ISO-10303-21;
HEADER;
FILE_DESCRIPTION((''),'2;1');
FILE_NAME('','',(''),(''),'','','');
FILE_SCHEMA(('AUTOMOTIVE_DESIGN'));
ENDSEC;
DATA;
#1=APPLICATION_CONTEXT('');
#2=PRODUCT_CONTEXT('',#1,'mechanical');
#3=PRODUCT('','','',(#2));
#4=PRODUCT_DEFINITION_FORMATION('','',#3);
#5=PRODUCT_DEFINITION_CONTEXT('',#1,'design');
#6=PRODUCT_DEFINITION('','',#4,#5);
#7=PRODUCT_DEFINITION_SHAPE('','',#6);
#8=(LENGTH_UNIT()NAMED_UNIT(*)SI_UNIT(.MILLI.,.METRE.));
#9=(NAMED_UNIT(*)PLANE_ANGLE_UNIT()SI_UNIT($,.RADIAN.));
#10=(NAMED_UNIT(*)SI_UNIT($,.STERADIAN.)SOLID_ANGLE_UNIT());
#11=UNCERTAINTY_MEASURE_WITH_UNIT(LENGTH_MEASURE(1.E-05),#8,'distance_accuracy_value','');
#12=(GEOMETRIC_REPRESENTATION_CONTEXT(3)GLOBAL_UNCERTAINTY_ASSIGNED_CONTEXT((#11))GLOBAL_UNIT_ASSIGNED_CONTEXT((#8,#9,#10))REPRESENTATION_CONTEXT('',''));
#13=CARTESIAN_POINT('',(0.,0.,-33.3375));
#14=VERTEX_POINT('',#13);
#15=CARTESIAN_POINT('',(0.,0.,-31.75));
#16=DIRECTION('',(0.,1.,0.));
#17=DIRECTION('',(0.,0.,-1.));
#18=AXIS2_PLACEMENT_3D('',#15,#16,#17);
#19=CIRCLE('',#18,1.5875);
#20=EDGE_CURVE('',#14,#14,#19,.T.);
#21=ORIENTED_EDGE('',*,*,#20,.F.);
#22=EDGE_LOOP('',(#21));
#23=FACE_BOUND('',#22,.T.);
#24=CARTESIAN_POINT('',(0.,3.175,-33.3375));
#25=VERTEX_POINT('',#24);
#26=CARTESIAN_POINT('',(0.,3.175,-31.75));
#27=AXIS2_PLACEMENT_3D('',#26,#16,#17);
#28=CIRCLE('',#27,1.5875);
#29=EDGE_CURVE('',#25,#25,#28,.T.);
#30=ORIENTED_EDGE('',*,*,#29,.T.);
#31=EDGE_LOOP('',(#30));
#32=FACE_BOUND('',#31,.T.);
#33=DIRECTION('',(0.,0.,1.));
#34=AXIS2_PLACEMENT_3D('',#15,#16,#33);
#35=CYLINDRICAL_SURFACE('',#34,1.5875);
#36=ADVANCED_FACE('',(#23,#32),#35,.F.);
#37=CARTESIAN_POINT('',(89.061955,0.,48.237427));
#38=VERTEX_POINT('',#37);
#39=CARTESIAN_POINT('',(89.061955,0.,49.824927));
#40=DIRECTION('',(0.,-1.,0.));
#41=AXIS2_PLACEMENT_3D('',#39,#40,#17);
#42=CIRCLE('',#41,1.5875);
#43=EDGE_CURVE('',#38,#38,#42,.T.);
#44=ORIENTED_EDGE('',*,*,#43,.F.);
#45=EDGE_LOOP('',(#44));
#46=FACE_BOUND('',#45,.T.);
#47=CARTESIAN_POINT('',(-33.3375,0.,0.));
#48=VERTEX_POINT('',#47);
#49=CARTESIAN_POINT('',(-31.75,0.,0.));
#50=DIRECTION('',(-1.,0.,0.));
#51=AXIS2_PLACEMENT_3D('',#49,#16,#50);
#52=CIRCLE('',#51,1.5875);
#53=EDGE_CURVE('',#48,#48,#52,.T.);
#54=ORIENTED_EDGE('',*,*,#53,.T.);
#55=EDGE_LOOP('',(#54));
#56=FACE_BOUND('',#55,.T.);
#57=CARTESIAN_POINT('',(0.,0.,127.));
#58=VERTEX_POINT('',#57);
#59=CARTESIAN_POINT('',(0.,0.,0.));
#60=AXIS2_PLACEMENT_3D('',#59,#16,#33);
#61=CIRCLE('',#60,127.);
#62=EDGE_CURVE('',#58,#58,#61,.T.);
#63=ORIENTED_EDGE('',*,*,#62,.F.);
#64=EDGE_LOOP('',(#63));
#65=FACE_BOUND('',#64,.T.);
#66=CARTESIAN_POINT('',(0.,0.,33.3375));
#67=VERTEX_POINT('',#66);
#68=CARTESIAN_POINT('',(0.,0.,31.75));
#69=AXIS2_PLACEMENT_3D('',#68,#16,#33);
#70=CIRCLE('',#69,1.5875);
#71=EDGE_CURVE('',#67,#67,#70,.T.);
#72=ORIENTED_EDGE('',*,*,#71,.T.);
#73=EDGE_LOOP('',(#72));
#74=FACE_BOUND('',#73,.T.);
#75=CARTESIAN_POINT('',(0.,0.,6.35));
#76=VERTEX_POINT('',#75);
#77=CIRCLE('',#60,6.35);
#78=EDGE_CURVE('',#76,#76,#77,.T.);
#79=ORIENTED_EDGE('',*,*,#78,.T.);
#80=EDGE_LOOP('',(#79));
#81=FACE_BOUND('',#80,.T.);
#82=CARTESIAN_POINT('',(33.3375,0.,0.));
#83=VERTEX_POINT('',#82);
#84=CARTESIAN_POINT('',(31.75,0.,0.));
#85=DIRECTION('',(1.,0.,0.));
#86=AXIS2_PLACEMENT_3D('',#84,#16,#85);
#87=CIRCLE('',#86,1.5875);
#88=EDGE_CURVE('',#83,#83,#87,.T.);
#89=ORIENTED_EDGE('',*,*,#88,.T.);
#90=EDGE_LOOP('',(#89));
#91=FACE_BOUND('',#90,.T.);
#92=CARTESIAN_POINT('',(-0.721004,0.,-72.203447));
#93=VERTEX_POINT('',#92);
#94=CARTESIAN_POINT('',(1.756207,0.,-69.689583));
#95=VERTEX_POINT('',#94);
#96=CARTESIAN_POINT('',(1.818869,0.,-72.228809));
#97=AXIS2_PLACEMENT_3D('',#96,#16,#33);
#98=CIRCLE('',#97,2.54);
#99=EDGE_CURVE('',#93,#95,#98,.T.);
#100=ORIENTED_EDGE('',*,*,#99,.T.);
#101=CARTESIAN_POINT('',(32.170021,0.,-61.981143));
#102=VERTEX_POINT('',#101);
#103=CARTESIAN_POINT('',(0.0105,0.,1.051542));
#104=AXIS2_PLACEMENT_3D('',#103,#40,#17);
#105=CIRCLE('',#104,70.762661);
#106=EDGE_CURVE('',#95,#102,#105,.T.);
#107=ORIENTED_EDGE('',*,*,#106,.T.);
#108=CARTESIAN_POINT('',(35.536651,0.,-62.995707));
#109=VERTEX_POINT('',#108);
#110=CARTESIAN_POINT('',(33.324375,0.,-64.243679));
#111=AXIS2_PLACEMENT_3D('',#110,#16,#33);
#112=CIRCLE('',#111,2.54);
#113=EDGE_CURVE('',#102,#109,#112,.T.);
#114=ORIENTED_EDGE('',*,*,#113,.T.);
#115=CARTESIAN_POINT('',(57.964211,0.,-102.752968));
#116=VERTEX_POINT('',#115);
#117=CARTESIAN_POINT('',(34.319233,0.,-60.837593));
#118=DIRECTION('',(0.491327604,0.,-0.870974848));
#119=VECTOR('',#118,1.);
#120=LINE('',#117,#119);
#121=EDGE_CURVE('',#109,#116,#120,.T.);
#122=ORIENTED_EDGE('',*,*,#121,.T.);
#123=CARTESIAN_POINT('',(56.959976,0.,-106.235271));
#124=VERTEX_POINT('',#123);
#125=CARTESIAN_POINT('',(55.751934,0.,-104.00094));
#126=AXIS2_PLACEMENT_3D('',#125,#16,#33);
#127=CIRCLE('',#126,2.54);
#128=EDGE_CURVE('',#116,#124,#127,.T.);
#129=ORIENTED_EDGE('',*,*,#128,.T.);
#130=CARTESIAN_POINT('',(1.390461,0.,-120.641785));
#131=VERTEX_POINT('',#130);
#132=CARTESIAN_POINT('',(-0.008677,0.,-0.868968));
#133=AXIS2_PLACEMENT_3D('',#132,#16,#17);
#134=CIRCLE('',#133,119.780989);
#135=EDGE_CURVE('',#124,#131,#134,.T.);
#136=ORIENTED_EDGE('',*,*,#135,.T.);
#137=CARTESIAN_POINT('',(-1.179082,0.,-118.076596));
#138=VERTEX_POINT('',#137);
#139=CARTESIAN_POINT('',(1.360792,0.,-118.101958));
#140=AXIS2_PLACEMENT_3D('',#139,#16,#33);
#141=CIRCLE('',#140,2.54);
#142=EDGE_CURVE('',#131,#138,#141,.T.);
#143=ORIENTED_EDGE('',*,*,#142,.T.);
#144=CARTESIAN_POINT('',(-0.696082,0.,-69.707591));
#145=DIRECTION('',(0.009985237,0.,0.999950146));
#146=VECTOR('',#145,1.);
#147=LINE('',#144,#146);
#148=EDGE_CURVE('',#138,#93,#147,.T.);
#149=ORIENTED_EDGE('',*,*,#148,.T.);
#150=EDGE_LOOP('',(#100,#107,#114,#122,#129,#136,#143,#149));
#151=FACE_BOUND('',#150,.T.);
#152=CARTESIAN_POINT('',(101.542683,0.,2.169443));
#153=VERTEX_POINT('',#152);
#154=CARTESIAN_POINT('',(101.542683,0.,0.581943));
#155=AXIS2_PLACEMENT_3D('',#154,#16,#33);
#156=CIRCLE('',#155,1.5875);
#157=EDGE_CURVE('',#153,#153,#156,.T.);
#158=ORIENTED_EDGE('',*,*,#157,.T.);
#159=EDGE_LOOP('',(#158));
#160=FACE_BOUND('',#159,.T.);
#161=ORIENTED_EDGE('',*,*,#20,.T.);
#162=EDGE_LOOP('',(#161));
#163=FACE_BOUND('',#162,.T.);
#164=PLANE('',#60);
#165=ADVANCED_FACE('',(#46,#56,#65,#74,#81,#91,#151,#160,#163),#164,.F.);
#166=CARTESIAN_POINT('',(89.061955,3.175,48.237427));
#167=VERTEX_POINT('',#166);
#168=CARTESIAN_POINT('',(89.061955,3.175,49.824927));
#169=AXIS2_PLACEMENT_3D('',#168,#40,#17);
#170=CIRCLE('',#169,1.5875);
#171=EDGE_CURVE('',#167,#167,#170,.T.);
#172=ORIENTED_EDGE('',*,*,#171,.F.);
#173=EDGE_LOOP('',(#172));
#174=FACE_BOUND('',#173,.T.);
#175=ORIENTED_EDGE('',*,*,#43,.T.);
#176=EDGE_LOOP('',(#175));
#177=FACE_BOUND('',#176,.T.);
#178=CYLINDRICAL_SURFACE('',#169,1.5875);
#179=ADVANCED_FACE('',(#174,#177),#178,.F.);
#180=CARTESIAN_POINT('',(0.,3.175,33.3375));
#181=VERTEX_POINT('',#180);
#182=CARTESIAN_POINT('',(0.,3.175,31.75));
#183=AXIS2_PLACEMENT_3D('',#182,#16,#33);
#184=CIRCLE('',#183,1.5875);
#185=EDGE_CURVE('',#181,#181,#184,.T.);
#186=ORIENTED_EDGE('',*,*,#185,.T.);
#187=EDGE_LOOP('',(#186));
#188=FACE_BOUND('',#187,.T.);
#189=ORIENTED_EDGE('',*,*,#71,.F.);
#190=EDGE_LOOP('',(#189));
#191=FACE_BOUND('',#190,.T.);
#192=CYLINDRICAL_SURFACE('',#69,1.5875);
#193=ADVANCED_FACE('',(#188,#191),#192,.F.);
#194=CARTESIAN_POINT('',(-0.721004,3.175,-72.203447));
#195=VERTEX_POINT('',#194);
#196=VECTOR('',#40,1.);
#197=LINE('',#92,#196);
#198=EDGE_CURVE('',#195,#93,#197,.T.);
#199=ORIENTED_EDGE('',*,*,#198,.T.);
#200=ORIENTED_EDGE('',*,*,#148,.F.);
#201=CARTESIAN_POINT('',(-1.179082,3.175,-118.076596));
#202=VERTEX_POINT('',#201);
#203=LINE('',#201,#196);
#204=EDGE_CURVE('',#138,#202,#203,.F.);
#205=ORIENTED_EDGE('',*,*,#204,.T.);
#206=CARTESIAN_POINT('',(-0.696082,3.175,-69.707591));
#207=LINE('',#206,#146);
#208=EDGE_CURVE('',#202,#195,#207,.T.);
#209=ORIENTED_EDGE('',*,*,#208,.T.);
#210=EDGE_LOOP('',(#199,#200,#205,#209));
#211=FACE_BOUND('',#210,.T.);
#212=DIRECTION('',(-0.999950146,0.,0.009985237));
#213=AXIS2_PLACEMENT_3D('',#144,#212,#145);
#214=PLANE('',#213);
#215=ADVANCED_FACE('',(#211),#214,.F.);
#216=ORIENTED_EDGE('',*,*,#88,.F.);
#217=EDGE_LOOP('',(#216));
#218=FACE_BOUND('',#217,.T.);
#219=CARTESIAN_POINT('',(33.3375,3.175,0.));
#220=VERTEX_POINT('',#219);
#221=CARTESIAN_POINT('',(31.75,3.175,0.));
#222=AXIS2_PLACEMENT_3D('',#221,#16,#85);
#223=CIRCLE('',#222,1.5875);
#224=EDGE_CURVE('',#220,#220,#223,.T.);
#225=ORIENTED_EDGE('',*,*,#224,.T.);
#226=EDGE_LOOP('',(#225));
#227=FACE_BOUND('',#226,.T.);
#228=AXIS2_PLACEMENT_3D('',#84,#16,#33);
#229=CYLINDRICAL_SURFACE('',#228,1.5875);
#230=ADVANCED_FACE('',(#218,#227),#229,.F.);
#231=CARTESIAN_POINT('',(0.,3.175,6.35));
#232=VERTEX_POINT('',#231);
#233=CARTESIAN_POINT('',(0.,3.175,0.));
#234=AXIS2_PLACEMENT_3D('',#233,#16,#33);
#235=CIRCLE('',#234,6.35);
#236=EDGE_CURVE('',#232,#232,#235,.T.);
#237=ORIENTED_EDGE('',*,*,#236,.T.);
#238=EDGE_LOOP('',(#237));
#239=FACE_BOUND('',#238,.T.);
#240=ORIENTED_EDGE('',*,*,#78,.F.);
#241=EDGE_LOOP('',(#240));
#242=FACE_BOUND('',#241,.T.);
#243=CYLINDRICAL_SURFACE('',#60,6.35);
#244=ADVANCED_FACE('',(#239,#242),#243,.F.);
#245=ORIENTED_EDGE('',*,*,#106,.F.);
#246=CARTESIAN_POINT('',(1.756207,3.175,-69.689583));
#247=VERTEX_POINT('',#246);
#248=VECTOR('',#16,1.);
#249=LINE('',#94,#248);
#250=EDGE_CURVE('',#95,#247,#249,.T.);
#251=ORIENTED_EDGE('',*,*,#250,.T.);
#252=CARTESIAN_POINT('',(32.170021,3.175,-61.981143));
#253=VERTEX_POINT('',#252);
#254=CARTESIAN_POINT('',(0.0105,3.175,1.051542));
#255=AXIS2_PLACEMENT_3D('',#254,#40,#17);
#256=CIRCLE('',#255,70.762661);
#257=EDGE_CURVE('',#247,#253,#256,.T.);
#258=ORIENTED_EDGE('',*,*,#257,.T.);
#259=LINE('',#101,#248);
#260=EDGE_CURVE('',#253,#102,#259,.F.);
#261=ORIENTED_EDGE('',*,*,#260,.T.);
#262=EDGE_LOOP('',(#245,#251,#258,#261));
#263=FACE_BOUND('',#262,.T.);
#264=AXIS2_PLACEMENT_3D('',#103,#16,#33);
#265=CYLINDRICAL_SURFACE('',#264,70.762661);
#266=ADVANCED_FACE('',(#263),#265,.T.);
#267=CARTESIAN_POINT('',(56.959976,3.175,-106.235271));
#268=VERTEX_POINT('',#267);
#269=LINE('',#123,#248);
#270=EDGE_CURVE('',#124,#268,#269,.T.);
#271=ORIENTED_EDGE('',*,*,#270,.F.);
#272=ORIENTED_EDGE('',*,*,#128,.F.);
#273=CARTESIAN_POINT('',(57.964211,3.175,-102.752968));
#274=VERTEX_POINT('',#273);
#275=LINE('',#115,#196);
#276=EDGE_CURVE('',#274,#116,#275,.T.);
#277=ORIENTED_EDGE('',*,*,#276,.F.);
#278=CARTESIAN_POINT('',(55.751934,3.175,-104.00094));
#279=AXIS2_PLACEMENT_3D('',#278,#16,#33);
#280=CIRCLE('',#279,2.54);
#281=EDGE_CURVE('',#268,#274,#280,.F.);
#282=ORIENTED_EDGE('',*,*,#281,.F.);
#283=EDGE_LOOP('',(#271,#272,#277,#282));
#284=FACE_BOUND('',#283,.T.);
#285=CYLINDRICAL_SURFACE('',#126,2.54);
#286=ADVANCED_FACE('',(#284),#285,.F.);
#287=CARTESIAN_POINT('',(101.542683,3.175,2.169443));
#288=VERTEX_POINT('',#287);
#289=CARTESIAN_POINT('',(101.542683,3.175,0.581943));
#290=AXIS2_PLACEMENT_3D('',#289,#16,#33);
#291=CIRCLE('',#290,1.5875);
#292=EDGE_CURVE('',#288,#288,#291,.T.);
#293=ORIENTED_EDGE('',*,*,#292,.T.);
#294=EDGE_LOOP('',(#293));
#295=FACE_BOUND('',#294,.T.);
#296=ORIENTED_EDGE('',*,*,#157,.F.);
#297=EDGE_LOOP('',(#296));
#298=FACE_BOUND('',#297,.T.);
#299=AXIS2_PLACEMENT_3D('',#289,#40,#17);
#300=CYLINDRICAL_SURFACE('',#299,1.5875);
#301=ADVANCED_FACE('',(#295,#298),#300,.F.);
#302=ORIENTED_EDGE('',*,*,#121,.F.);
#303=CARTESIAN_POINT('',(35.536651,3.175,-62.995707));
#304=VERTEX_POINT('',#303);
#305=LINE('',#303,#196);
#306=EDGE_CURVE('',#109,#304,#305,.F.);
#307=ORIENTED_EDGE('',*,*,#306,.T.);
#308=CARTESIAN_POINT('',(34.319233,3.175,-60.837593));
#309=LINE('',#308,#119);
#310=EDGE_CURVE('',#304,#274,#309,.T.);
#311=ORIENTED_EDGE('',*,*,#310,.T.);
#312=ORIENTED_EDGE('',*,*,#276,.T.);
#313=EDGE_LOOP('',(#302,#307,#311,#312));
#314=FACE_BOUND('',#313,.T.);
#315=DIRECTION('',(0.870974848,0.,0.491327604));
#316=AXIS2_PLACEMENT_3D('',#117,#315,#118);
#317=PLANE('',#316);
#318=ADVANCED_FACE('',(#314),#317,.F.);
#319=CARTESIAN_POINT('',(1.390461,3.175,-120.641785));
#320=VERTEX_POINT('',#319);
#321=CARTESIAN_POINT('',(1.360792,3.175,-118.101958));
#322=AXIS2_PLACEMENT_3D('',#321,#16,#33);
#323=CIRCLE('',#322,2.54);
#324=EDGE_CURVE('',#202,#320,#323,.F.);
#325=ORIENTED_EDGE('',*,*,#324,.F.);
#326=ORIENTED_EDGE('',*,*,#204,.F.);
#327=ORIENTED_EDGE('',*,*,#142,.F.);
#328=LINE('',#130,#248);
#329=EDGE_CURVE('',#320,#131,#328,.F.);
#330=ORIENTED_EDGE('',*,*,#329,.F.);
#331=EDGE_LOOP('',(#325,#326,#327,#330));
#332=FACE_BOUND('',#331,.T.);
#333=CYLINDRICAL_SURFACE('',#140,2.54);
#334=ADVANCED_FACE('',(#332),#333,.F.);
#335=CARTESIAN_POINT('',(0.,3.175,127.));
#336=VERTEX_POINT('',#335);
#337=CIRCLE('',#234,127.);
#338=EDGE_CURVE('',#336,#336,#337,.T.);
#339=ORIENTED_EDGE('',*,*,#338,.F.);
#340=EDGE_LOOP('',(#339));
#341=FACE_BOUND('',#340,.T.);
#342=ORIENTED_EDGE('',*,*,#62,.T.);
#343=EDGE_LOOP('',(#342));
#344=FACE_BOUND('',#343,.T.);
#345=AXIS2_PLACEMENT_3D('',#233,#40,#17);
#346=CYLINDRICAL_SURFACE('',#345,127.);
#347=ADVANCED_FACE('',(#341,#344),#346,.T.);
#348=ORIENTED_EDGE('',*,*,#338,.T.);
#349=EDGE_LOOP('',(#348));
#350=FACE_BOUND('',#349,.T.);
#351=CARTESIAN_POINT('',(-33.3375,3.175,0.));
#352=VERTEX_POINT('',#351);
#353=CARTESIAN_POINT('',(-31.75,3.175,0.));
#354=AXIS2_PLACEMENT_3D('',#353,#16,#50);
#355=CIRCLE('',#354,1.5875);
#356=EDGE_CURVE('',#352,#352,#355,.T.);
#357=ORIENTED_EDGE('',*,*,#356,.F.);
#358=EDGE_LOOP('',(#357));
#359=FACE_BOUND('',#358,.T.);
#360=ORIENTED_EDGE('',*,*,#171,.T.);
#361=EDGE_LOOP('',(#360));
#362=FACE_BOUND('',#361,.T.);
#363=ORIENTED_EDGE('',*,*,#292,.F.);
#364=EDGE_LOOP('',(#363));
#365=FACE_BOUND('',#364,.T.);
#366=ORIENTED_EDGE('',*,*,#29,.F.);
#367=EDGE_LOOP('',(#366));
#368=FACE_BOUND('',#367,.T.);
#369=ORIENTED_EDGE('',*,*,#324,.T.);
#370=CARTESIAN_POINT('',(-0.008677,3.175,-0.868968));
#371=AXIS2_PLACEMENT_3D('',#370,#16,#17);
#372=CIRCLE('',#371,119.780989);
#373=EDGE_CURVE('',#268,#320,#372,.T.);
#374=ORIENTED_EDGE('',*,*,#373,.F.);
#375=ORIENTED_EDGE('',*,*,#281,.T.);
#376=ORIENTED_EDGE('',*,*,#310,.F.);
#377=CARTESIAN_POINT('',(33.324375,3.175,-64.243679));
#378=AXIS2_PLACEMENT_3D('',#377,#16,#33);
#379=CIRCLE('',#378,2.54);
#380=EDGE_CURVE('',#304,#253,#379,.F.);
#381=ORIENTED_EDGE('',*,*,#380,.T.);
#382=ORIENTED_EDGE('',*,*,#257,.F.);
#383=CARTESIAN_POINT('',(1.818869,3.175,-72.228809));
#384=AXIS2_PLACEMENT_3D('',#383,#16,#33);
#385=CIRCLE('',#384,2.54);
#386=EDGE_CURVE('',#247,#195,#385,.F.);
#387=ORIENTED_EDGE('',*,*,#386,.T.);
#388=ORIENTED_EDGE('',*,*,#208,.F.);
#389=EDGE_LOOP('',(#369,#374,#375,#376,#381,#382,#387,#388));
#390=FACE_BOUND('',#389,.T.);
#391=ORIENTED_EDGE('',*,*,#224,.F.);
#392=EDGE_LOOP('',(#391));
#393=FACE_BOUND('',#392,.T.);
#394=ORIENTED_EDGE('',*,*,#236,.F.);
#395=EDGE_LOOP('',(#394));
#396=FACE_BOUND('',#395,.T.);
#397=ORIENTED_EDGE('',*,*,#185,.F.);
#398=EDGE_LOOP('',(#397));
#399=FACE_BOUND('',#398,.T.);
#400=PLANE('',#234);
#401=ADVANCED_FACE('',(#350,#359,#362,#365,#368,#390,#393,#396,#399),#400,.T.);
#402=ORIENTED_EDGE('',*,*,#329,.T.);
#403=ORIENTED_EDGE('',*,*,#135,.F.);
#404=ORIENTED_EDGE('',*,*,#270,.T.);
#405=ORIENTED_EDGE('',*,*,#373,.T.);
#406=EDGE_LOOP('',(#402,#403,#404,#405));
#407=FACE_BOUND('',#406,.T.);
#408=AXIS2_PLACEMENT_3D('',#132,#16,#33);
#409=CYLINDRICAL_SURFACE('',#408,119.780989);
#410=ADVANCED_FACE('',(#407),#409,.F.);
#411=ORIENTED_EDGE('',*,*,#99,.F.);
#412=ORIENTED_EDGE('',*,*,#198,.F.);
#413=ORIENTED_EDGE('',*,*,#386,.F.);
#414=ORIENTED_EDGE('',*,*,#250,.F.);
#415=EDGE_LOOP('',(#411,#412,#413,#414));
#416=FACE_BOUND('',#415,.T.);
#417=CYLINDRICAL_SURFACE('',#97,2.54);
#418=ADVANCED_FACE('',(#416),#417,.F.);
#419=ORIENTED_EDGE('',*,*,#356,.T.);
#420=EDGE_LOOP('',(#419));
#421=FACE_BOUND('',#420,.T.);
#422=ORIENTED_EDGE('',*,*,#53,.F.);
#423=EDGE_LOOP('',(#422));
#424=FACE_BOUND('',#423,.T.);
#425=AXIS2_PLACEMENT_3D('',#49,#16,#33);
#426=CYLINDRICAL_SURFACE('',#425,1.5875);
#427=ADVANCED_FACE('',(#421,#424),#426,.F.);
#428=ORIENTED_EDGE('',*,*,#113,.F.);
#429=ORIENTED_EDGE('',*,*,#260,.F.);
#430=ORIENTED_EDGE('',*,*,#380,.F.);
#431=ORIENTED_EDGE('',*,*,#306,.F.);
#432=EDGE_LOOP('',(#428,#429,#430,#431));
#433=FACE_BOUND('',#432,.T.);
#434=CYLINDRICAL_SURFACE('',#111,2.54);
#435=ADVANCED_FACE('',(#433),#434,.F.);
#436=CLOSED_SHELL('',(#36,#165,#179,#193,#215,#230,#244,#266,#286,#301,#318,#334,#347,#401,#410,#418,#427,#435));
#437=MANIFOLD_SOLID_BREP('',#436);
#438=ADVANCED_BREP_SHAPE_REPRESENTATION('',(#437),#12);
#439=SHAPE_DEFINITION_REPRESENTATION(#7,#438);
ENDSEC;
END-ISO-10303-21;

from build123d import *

# Parameters (mm, degrees)
SKETCH1_R           = 127
BOSS_EXTRUDE1_DEPTH = 3.175
SKETCH2_R           = 6.35
CUT_EXTRUDE1_DEPTH  = 180.63318353
CUT_EXTRUDE2_DEPTH  = 180.63318353
SKETCH4_R           = 1.5875
CUT_EXTRUDE3_DEPTH  = 180.63318353
CIRPATTERN1_COUNT   = 4
FILLET1_R           = 2.54
SKETCH5_R           = 1.5875
CUT_EXTRUDE4_DEPTH  = 180.63318353


with BuildPart() as part:
    # Sketch1 → Boss-Extrude1 (new body)
    with BuildSketch(Plane(origin=(0, 0, 0), x_dir=(1, 0, 0), z_dir=(0, 1, 0))):
        with Locations(Location((0, 0, 0), (0, 0, 270))):
            Circle(SKETCH1_R)
    extrude(amount=BOSS_EXTRUDE1_DEPTH)

    # Sketch2 → Cut-Extrude1 (cut, through all)
    with BuildSketch(Plane(origin=(0, 3.175, 0), x_dir=(1, 0, 0), z_dir=(0, 1, 0))):
        with Locations(Location((0, 0, 0), (0, 0, 270))):
            Circle(SKETCH2_R)
    extrude(amount=-CUT_EXTRUDE1_DEPTH, mode=Mode.SUBTRACT)

    # Sketch3 → Cut-Extrude2 (cut, through all)
    with BuildSketch(Plane(origin=(0, 3.175, 0), x_dir=(1, 0, 0), z_dir=(0, 1, 0))):
        with BuildLine():
            Line((-0.69608151, 69.707591228), (-1.204718825, 120.643985149))
            ThreePointArc((-1.204718825, 120.643985149), (30.046443244, 116.817986877), (59.221085226, 104.981025331))
            Line((59.221085226, 104.981025331), (34.319233166, 60.837593106))
            ThreePointArc((34.319233166, 60.837593106), (17.387075213, 67.544440681), (-0.69608151, 69.707591228))
        make_face()
    extrude(amount=-CUT_EXTRUDE2_DEPTH, mode=Mode.SUBTRACT)

    # Sketch4 → Cut-Extrude3 (cut, through all)
    with BuildSketch(Plane(origin=(0, 3.175, 0), x_dir=(1, 0, 0), z_dir=(0, 1, 0))):
        with Locations(Location((0, -31.75, 0), (0, 0, 270))):
            Circle(SKETCH4_R)
    cut_extrude3 = extrude(amount=-CUT_EXTRUDE3_DEPTH, mode=Mode.SUBTRACT)

    # CirPattern1: Cut-Extrude3 ×4 about axis
    cirpattern1_axis = Axis((0, 0, 0), (0, 1, 0))
    for i in range(1, CIRPATTERN1_COUNT):
        add(cut_extrude3.rotate(cirpattern1_axis, i * 360 / CIRPATTERN1_COUNT), mode=Mode.SUBTRACT)

    # Fillet1
    fillet1_edges = [part.edges().sort_by_distance(p)[0] for p in [
        (34.319233166, 1.5875, -60.837593106),
        (-0.69608151, 1.5875, -69.707591228),
        (-1.204718825, 1.5875, -120.643985149),
        (59.221085226, 1.5875, -104.981025331),
    ]]
    fillet(fillet1_edges, radius=FILLET1_R)

    # Sketch5 → Cut-Extrude4 (cut, through all)
    with BuildSketch(Plane.XZ):
        with Locations(Location((89.061954982, 49.824926956, 0), (0, 0, 270))):
            Circle(SKETCH5_R)
        with Locations(Location((101.542683253, 0.581943478, 0), (0, 0, 90))):
            Circle(SKETCH5_R)
    extrude(amount=-CUT_EXTRUDE4_DEPTH, mode=Mode.SUBTRACT)


solid = part.part
